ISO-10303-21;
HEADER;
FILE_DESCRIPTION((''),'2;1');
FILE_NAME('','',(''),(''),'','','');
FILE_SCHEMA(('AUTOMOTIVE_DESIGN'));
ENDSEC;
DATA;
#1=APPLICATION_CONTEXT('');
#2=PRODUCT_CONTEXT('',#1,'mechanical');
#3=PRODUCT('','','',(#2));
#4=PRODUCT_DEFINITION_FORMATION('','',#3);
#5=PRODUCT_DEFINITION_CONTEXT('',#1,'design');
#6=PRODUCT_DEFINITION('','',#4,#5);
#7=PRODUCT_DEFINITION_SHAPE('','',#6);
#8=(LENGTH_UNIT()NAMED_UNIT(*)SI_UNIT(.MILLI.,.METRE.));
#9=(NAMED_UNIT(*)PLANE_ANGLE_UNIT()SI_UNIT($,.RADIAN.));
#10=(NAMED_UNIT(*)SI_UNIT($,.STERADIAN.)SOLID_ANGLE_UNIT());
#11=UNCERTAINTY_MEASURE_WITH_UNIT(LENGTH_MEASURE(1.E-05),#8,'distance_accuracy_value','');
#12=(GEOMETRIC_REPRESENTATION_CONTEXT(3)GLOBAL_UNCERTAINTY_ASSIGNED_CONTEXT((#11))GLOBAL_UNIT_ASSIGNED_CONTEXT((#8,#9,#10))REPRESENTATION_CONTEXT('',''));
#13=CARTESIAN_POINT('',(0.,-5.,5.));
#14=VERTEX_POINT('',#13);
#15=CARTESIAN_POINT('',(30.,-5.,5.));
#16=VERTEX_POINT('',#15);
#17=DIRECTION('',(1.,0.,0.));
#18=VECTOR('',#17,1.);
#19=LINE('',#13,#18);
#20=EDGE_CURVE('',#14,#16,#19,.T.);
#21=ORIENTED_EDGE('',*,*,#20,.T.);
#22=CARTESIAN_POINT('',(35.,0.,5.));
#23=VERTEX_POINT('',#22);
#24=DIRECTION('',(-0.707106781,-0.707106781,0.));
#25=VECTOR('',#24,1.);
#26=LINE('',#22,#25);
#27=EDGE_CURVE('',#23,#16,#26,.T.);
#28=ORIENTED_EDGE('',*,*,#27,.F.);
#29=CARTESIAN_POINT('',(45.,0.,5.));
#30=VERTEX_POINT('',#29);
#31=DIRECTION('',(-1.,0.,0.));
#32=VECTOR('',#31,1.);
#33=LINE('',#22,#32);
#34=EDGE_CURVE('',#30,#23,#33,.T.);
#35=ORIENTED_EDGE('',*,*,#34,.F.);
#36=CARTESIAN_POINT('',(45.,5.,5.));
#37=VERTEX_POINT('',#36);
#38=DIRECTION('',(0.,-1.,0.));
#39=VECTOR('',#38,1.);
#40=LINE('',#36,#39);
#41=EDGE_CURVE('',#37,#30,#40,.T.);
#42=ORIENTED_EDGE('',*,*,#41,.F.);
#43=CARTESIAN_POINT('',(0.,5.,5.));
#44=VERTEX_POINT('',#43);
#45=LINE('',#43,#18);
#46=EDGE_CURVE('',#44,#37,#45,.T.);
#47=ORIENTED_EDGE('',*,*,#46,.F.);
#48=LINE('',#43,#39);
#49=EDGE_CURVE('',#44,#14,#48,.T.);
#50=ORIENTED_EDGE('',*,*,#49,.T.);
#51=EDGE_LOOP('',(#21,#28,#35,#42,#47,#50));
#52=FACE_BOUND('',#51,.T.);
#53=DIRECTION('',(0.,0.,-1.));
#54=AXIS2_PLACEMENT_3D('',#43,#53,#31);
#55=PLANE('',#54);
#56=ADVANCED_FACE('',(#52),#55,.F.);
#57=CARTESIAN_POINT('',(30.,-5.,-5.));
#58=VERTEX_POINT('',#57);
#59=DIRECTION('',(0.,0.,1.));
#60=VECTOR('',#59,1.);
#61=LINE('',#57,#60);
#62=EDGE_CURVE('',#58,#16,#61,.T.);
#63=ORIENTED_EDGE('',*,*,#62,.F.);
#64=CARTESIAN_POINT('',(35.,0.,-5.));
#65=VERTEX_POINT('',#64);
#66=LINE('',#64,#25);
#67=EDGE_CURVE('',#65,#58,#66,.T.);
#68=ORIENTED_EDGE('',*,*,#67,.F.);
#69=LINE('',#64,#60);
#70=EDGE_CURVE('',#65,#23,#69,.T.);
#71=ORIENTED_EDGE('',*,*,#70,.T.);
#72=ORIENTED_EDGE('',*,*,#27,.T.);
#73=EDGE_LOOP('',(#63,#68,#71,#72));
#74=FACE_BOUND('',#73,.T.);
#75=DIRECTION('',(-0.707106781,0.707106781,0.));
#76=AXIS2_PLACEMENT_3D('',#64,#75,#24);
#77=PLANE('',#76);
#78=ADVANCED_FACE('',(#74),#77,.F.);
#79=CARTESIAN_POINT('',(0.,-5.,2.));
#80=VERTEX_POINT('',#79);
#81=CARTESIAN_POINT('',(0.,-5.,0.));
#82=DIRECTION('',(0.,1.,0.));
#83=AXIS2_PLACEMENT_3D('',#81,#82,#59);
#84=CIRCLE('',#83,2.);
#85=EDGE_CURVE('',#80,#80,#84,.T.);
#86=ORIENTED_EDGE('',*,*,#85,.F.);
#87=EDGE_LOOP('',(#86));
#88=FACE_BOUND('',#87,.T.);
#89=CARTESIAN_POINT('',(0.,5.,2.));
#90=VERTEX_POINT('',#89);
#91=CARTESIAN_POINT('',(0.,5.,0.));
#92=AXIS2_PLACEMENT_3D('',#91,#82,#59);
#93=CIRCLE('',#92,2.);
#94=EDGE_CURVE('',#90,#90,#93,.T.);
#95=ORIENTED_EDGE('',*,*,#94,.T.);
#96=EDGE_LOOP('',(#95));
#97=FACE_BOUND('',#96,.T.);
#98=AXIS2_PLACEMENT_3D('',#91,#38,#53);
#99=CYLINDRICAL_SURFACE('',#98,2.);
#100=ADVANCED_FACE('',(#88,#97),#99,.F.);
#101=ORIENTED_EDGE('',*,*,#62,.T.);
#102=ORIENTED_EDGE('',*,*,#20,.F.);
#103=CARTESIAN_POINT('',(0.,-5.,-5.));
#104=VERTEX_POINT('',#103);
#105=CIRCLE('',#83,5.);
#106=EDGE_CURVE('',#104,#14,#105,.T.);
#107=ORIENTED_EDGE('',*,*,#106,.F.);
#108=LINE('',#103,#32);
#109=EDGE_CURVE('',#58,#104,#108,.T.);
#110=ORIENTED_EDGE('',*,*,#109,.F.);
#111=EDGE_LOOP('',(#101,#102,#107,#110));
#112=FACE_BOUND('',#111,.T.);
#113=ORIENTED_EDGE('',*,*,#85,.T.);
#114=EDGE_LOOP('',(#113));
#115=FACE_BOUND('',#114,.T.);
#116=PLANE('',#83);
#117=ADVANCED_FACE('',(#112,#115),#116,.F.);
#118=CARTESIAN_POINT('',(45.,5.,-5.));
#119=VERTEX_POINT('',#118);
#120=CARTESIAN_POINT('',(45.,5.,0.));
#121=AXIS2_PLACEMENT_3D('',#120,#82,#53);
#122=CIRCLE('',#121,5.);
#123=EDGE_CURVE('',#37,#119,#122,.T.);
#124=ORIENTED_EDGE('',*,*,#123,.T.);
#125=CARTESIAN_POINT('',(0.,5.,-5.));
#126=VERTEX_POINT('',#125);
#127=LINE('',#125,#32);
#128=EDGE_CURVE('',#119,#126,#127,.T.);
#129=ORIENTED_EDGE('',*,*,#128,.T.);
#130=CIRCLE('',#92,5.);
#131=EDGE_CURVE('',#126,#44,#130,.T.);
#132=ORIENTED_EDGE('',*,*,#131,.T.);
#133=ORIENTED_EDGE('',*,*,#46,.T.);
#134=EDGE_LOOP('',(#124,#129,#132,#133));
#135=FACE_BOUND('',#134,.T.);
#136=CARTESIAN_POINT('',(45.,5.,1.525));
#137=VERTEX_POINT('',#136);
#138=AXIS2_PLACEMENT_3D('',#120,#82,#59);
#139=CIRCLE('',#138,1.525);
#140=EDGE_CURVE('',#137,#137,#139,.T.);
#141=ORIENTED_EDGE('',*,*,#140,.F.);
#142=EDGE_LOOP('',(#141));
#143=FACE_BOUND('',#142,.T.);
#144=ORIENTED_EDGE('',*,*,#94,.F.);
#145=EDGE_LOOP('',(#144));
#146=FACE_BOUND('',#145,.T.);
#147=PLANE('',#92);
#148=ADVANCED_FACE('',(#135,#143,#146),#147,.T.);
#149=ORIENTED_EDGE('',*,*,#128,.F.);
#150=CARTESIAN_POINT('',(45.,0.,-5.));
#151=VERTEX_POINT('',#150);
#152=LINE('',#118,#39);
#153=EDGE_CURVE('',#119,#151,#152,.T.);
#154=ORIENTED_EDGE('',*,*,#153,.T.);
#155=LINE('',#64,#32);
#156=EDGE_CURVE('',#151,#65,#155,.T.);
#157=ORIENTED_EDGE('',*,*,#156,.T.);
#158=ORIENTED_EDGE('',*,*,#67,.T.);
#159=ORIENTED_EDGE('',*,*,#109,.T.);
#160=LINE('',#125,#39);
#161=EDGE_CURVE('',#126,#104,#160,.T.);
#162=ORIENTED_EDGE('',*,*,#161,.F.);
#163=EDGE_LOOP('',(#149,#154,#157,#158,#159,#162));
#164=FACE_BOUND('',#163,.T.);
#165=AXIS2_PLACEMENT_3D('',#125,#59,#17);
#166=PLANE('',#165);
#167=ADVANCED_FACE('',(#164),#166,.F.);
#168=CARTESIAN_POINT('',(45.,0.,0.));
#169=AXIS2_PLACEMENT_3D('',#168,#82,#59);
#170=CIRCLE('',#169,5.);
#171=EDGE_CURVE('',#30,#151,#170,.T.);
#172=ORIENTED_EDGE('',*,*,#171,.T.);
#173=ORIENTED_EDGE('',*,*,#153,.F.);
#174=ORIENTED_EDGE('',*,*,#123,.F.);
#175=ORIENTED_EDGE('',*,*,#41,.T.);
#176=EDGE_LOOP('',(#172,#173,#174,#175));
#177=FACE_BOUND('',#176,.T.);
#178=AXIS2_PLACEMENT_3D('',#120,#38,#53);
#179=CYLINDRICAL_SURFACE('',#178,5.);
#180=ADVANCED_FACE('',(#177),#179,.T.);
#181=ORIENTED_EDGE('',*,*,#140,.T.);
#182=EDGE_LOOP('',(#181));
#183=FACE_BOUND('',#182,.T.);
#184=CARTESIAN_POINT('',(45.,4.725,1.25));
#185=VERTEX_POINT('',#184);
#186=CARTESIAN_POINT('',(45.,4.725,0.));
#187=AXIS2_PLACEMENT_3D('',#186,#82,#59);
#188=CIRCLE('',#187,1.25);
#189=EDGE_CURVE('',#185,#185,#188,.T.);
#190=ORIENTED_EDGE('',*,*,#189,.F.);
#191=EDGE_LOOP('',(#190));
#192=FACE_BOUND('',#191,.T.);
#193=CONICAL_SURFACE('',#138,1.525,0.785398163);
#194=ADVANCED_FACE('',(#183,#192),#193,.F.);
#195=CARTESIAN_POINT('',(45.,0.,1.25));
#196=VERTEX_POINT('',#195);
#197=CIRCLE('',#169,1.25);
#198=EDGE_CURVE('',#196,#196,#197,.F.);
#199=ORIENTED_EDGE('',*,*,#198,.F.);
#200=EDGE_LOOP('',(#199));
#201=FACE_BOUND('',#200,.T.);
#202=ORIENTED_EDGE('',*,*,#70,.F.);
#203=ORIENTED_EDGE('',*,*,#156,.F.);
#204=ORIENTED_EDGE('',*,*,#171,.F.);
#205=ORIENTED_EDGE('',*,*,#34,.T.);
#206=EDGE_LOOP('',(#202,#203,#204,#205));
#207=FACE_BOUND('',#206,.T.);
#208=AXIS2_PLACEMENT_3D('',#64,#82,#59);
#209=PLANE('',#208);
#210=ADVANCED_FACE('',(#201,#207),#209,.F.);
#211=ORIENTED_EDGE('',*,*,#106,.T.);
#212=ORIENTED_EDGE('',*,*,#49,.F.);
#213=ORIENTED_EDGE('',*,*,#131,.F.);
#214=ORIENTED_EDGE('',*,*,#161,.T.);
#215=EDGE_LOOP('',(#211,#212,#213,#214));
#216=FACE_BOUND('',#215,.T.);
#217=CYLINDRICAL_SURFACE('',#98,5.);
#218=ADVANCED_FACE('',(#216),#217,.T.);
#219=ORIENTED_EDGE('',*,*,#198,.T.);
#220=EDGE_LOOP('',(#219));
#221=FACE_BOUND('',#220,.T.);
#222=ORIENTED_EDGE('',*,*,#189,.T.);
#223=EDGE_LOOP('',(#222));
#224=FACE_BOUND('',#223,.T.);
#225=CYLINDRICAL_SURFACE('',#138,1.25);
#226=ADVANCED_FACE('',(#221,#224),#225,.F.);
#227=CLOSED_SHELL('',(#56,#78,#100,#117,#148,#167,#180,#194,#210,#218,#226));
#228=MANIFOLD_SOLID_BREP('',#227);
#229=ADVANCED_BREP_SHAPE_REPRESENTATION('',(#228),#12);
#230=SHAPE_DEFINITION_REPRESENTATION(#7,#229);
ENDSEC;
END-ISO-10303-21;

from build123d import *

# Parameters (mm, degrees)
ESQUISSE1_R                     = 2
BOSS_EXTRU_1_DEPTH              = 5
TROU_TARAUD_M3X0_51_D           = 2.5
TROU_TARAUD_M3X0_51_CSINK_D     = 3.05
TROU_TARAUD_M3X0_51_CSINK_ANGLE = 90
ENL_V_MAT_EXTRU_1_DEPTH         = 6
ENL_V_MAT_EXTRU_1_DEPTH_BACK    = 6


with BuildPart() as part:
    # Esquisse1 → Boss.-Extru.1 (new body, symmetric)
    with BuildSketch(Plane(origin=(0, 0, 0), x_dir=(1, 0, 0), z_dir=(0, 1, 0))):
        with BuildLine():
            Line((0, 5), (45, 5))
            ThreePointArc((45, 5), (50, 0), (45, -5))
            Line((45, -5), (0, -5))
            ThreePointArc((0, -5), (-5, 0), (0, 5))
        make_face()
        Circle(ESQUISSE1_R, mode=Mode.SUBTRACT)
    extrude(amount=BOSS_EXTRU_1_DEPTH, both=True)

    # Trou taraudé M3x0.51 (through all)
    with Locations(Plane(origin=(0, 5, 0), x_dir=(1, 0, 0), z_dir=(0, 1, 0))):
        with Locations((45, 0)):
            CounterSinkHole(TROU_TARAUD_M3X0_51_D / 2, TROU_TARAUD_M3X0_51_CSINK_D / 2, counter_sink_angle=TROU_TARAUD_M3X0_51_CSINK_ANGLE)

    # Esquisse4 → Enlèv. mat.-Extru.1 (cut, two sides)
    with BuildSketch(Plane.XY) as enl_v_mat_extru_1_sk:
        Polygon((35, 0), (50, 0), (50, -5), (30, -5), align=None)
    extrude(amount=ENL_V_MAT_EXTRU_1_DEPTH, mode=Mode.SUBTRACT)
    extrude(enl_v_mat_extru_1_sk.sketch, amount=-ENL_V_MAT_EXTRU_1_DEPTH_BACK, mode=Mode.SUBTRACT)


solid = part.part
